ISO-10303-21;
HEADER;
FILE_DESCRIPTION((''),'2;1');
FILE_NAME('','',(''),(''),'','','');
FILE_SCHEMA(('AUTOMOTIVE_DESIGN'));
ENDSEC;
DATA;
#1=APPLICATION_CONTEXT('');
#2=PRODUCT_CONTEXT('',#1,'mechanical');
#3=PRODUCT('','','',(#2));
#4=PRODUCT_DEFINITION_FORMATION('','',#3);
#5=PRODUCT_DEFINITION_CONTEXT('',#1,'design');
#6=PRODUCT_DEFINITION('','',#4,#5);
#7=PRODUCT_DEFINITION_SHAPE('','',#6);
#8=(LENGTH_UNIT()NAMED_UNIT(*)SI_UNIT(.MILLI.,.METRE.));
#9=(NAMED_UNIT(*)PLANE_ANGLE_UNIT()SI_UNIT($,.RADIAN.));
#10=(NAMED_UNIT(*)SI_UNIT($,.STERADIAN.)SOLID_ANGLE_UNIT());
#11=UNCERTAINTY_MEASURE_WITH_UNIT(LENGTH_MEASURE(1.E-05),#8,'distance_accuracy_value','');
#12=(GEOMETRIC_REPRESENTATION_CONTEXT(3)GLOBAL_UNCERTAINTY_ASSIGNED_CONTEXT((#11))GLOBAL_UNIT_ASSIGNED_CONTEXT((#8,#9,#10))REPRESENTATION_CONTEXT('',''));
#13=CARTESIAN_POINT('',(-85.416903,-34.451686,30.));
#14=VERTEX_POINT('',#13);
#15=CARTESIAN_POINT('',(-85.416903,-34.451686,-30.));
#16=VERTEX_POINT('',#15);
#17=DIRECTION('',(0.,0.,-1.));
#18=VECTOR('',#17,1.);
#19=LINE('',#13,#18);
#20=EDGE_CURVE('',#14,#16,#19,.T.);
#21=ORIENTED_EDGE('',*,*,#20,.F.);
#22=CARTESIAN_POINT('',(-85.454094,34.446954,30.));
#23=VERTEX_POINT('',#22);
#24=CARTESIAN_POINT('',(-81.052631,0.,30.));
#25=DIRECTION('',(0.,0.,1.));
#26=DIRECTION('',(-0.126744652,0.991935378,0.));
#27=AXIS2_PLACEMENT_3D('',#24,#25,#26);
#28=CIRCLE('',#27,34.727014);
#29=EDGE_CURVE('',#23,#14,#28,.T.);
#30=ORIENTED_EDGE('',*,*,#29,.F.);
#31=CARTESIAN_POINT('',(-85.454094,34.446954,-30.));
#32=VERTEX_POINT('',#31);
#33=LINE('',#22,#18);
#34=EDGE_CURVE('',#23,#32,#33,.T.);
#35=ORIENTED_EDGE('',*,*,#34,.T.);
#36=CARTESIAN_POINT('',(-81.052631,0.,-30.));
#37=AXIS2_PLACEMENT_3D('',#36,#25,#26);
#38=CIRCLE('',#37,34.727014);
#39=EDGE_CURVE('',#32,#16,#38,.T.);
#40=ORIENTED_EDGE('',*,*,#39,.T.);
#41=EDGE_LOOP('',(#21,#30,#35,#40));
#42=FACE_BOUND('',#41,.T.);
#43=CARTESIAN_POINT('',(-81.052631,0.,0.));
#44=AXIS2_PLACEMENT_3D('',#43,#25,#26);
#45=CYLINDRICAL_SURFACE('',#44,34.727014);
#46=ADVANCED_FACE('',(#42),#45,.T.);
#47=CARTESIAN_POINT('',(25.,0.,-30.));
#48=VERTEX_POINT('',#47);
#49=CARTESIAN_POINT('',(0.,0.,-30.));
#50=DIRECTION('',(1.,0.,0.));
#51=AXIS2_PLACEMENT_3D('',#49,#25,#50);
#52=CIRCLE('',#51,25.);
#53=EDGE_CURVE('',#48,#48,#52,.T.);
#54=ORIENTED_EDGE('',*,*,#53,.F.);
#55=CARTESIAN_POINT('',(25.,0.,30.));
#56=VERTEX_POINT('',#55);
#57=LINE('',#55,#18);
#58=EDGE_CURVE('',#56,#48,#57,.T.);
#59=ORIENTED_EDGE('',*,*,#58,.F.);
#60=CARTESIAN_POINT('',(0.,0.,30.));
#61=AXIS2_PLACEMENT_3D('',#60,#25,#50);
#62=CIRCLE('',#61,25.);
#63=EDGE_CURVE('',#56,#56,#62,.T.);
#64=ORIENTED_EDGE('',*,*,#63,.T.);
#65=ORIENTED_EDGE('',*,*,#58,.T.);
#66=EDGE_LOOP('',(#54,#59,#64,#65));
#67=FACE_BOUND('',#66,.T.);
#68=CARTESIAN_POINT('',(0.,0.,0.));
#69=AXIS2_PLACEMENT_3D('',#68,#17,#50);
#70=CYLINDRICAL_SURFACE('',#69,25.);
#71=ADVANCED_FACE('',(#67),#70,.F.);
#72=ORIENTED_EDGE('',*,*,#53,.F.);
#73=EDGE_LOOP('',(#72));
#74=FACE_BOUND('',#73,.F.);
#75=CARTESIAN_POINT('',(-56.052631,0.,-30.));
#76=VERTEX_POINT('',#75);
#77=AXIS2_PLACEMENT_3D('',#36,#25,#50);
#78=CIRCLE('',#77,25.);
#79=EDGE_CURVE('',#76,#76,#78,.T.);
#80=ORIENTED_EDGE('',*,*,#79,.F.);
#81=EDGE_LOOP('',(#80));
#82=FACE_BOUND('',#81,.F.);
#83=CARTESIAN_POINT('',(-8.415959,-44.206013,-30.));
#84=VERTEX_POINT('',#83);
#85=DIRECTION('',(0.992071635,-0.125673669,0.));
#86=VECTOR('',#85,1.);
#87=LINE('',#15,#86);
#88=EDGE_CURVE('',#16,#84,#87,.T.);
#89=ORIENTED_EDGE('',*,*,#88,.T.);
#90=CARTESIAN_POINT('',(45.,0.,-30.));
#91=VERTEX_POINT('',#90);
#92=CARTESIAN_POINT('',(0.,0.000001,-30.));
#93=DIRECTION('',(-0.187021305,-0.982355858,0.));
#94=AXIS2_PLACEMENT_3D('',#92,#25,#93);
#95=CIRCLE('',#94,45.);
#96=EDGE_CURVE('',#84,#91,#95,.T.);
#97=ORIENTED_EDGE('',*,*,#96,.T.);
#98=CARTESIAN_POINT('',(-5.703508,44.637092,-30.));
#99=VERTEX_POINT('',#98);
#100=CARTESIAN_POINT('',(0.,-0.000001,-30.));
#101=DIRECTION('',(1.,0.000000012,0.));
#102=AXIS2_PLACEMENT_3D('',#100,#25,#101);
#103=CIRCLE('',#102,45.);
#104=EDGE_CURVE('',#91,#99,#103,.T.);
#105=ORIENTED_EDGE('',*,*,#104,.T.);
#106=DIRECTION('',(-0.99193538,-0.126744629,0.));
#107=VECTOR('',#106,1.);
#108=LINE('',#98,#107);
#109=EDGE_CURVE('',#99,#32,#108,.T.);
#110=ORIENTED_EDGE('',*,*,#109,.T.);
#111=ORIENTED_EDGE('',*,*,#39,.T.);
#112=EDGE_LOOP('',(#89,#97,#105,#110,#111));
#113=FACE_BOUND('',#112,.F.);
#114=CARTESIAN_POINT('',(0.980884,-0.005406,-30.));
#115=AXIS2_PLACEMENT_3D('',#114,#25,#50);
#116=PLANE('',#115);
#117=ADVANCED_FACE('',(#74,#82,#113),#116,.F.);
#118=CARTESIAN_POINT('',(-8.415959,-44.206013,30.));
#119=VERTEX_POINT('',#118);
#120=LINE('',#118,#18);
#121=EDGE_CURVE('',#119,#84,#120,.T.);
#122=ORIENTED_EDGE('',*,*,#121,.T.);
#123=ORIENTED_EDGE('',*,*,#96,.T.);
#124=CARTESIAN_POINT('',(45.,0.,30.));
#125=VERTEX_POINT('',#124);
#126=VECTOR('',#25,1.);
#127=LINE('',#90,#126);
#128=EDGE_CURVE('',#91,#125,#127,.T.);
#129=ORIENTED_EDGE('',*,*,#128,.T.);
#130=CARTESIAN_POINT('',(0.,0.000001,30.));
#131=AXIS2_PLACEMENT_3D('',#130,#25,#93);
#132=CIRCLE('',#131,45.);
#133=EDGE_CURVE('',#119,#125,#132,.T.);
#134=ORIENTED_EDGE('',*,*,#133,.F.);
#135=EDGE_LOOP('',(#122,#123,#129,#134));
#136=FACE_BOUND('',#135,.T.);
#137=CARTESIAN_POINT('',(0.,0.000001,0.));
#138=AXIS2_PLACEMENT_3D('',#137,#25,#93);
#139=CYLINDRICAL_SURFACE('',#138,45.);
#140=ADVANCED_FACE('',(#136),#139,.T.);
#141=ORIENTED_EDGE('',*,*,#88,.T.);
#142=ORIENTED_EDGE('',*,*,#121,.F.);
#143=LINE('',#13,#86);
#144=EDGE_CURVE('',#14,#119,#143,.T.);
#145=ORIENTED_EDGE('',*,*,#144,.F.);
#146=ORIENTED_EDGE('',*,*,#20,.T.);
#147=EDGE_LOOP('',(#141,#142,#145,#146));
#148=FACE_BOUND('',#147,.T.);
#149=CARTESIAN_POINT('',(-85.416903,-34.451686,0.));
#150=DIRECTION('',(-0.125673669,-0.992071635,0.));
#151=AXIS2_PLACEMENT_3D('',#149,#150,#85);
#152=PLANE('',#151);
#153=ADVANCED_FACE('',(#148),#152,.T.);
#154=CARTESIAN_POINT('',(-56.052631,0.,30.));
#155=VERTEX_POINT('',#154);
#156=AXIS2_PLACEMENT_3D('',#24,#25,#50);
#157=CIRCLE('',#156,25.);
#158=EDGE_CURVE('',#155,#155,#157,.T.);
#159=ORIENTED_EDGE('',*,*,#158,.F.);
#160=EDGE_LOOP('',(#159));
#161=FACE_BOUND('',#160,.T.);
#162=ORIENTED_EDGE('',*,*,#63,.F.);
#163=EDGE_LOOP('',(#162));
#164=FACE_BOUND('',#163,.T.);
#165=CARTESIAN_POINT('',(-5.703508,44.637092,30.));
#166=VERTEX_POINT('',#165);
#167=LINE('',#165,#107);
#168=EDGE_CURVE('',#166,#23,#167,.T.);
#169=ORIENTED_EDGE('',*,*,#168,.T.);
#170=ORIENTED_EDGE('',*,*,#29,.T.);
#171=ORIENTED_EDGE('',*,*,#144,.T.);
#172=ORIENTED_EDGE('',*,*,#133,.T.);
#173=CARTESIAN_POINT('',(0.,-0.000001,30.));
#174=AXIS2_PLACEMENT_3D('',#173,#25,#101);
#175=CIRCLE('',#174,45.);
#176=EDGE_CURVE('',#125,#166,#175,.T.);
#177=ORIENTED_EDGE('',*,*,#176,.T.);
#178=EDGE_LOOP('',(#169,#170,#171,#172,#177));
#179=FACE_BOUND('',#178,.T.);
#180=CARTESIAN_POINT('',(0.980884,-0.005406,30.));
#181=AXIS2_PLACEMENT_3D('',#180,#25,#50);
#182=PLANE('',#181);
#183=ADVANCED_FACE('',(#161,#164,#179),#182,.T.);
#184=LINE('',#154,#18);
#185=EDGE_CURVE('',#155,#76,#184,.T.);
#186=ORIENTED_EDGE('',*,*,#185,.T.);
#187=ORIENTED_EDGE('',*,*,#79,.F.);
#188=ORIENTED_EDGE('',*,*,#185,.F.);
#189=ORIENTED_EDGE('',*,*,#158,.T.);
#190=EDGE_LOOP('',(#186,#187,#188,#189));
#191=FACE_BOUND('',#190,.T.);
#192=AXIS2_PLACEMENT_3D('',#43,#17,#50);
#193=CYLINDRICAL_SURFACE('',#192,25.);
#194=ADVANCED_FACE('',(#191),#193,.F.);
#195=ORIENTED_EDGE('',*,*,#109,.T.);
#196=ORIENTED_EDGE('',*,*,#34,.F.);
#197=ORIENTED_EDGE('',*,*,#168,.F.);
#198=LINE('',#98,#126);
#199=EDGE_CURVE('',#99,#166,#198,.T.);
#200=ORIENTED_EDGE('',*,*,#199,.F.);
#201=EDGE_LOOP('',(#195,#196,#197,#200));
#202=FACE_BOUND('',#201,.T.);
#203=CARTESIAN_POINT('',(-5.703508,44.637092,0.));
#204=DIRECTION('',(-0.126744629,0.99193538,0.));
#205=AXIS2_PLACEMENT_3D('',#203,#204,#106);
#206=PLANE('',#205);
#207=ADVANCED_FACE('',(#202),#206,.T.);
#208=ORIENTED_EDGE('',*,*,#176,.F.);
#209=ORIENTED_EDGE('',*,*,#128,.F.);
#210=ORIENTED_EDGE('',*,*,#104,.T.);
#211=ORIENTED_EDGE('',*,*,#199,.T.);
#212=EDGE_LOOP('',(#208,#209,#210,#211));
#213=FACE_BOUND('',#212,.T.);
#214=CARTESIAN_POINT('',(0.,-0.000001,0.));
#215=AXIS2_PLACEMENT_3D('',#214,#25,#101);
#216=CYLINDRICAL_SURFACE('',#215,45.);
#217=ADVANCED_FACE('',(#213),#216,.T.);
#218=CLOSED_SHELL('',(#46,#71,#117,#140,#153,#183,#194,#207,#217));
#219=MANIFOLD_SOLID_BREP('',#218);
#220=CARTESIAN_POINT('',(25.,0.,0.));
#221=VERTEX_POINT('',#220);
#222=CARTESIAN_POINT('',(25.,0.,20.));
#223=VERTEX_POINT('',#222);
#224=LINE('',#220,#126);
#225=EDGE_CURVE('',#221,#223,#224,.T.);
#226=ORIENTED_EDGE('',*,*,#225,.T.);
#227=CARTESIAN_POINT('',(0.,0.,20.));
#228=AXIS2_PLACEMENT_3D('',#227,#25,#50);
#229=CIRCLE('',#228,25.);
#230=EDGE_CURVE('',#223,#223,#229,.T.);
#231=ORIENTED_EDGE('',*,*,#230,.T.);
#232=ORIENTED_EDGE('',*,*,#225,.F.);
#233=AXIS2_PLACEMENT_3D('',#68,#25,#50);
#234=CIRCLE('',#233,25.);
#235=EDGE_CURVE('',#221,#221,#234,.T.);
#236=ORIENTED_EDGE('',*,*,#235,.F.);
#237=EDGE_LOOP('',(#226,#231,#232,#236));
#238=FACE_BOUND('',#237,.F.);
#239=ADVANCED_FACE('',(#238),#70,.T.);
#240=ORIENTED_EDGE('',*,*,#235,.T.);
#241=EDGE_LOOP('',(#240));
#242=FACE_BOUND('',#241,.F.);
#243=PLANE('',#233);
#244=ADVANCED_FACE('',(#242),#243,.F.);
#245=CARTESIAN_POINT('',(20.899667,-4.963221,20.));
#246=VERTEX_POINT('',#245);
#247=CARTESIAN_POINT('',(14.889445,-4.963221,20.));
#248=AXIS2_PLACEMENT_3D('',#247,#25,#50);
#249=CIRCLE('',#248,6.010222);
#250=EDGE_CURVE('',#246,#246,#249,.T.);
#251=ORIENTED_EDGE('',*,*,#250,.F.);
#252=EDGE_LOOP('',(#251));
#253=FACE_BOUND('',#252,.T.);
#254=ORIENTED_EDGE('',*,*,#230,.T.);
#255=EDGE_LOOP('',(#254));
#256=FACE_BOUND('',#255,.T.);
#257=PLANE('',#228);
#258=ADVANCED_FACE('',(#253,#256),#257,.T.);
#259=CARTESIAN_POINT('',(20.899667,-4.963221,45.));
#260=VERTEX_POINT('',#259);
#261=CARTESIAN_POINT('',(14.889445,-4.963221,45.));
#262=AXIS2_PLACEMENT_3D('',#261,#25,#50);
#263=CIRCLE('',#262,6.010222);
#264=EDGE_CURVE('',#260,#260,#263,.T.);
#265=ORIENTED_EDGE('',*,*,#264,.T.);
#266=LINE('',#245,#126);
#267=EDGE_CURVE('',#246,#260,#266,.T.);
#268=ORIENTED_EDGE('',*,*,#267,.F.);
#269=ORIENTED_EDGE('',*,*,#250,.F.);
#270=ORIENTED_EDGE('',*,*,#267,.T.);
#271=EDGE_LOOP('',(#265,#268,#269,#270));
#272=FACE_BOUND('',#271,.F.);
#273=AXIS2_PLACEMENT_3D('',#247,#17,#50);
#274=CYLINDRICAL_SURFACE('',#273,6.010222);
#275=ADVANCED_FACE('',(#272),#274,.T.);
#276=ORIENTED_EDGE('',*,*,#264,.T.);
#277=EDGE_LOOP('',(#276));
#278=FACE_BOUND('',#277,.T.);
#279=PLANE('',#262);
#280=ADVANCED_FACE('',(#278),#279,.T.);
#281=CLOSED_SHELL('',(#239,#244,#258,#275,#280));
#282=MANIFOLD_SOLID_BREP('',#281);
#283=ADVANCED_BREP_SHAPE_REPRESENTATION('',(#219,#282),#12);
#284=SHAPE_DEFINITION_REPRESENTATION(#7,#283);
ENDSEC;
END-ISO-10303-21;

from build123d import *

# Parameters (mm, degrees)
F0_R     = 25
F1_DEPTH = 30
F2_DEPTH = 20
F3_R     = 6.010222
F4_DEPTH = 25


with BuildPart() as f1:
    # F0 (on Top) → F1 (new body, symmetric)
    with BuildSketch(Plane.XY):
        with BuildLine():
            ThreePointArc((-8.415959, -44.206013), (28.690432, -34.667839), (45, 0))
            ThreePointArc((45, 0), (29.735014, 33.776159), (-5.703508, 44.637092))
            ThreePointArc((-5.703508, 44.637092), (-44.979042, 1.373246), (-8.415959, -44.206013))
        make_face()
        Circle(F0_R, mode=Mode.SUBTRACT)
        with BuildLine():
            ThreePointArc((-8.415959, -44.206013), (-44.979042, 1.373246), (-5.703508, 44.637092))
            Line((-5.703508, 44.637092), (-85.454094, 34.446954))
            ThreePointArc((-85.454094, 34.446954), (-58.105781, 26.065448), (-46.325617, 0))
            ThreePointArc((-46.325617, 0), (-58.091714, -26.053058), (-85.416903, -34.451686))
            Line((-85.416903, -34.451686), (-8.415959, -44.206013))
        make_face()
        with BuildLine():
            ThreePointArc((-46.325617, 0), (-58.105781, 26.065448), (-85.454094, 34.446954))
            ThreePointArc((-85.454094, 34.446954), (-115.77964, -0.018745), (-85.416903, -34.451686))
            ThreePointArc((-85.416903, -34.451686), (-58.091714, -26.053058), (-46.325617, 0))
        make_face()
        with Locations((-81.052631, 0)):
            Circle(F0_R, mode=Mode.SUBTRACT)
    extrude(amount=F1_DEPTH, both=True)


with BuildPart() as f2:
    # F0 (on Top) → F2 (new body)
    with BuildSketch(Plane.XY):
        Circle(F0_R)
    extrude(amount=F2_DEPTH)

    # F3 (on face) → F4 (join)
    with BuildSketch(Plane.XY.offset(20)):
        with Locations((14.889445, -4.963221)):
            Circle(F3_R)
    extrude(amount=F4_DEPTH)


solid = Compound([f1.part, f2.part])
